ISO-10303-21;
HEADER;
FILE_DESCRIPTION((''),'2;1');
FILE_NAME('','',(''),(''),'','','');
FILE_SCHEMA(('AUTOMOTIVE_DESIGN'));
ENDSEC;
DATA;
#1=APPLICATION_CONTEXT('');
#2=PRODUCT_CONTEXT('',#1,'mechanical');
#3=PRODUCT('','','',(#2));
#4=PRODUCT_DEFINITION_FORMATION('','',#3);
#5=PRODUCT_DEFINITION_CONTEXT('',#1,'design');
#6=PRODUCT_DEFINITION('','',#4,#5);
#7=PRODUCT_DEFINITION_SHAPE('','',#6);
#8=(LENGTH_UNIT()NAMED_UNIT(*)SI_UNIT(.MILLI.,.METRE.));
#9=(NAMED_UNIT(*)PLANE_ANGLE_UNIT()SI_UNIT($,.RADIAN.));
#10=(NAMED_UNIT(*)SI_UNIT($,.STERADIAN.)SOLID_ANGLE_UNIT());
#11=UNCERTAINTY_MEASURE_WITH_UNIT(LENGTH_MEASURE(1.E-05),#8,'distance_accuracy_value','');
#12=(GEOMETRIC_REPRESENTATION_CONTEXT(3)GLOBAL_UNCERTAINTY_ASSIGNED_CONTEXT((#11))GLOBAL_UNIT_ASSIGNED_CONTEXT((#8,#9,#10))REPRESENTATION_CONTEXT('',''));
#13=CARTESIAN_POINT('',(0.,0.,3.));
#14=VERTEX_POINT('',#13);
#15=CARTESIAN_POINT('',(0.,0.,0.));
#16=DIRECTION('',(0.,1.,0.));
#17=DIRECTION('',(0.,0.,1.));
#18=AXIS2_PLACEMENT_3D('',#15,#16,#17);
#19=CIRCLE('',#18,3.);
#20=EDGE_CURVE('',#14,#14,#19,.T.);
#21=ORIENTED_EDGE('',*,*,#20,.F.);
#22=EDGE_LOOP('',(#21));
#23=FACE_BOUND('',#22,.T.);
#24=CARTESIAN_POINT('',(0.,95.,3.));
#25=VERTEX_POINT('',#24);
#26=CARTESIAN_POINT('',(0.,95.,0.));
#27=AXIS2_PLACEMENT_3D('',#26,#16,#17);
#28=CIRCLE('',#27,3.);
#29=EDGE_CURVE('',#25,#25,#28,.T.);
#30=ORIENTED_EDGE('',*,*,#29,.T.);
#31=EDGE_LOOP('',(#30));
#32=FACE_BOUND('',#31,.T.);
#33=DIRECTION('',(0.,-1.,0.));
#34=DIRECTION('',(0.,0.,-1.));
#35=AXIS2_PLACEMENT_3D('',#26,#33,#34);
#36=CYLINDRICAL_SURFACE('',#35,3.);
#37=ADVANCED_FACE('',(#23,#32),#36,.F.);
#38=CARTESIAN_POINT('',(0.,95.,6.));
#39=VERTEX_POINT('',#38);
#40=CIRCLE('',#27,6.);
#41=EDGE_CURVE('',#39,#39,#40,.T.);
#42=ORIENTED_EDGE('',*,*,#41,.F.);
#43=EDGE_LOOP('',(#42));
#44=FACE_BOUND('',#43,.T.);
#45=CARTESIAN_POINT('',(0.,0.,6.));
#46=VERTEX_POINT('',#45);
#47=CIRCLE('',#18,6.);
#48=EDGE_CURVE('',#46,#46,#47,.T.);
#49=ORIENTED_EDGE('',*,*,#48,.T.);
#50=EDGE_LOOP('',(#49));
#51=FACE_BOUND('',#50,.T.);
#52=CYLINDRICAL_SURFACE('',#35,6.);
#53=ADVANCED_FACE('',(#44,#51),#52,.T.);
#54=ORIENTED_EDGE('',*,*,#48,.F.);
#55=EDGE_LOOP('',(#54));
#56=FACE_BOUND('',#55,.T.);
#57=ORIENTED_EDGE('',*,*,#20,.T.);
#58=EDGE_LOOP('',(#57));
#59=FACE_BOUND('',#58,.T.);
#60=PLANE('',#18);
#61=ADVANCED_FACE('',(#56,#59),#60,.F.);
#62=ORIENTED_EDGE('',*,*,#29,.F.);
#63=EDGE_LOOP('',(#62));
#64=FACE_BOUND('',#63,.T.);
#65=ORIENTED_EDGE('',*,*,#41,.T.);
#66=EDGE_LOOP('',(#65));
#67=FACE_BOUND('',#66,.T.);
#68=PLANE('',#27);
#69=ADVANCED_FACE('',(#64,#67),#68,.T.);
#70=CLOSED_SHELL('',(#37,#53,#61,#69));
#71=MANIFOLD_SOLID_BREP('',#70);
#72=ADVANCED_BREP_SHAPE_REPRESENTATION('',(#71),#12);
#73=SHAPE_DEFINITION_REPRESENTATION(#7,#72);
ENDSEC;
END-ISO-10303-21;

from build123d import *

# Parameters (mm, degrees)
SKETCH1_R           = 6
SKETCH1_R_2         = 3
BOSS_EXTRUDE1_DEPTH = 95


with BuildPart() as part:
    # Sketch1 → Boss-Extrude1 (new body)
    with BuildSketch(Plane(origin=(0, 0, 0), x_dir=(1, 0, 0), z_dir=(0, 1, 0))):
        Circle(SKETCH1_R)
        Circle(SKETCH1_R_2, mode=Mode.SUBTRACT)
    extrude(amount=BOSS_EXTRUDE1_DEPTH)


solid = part.part
